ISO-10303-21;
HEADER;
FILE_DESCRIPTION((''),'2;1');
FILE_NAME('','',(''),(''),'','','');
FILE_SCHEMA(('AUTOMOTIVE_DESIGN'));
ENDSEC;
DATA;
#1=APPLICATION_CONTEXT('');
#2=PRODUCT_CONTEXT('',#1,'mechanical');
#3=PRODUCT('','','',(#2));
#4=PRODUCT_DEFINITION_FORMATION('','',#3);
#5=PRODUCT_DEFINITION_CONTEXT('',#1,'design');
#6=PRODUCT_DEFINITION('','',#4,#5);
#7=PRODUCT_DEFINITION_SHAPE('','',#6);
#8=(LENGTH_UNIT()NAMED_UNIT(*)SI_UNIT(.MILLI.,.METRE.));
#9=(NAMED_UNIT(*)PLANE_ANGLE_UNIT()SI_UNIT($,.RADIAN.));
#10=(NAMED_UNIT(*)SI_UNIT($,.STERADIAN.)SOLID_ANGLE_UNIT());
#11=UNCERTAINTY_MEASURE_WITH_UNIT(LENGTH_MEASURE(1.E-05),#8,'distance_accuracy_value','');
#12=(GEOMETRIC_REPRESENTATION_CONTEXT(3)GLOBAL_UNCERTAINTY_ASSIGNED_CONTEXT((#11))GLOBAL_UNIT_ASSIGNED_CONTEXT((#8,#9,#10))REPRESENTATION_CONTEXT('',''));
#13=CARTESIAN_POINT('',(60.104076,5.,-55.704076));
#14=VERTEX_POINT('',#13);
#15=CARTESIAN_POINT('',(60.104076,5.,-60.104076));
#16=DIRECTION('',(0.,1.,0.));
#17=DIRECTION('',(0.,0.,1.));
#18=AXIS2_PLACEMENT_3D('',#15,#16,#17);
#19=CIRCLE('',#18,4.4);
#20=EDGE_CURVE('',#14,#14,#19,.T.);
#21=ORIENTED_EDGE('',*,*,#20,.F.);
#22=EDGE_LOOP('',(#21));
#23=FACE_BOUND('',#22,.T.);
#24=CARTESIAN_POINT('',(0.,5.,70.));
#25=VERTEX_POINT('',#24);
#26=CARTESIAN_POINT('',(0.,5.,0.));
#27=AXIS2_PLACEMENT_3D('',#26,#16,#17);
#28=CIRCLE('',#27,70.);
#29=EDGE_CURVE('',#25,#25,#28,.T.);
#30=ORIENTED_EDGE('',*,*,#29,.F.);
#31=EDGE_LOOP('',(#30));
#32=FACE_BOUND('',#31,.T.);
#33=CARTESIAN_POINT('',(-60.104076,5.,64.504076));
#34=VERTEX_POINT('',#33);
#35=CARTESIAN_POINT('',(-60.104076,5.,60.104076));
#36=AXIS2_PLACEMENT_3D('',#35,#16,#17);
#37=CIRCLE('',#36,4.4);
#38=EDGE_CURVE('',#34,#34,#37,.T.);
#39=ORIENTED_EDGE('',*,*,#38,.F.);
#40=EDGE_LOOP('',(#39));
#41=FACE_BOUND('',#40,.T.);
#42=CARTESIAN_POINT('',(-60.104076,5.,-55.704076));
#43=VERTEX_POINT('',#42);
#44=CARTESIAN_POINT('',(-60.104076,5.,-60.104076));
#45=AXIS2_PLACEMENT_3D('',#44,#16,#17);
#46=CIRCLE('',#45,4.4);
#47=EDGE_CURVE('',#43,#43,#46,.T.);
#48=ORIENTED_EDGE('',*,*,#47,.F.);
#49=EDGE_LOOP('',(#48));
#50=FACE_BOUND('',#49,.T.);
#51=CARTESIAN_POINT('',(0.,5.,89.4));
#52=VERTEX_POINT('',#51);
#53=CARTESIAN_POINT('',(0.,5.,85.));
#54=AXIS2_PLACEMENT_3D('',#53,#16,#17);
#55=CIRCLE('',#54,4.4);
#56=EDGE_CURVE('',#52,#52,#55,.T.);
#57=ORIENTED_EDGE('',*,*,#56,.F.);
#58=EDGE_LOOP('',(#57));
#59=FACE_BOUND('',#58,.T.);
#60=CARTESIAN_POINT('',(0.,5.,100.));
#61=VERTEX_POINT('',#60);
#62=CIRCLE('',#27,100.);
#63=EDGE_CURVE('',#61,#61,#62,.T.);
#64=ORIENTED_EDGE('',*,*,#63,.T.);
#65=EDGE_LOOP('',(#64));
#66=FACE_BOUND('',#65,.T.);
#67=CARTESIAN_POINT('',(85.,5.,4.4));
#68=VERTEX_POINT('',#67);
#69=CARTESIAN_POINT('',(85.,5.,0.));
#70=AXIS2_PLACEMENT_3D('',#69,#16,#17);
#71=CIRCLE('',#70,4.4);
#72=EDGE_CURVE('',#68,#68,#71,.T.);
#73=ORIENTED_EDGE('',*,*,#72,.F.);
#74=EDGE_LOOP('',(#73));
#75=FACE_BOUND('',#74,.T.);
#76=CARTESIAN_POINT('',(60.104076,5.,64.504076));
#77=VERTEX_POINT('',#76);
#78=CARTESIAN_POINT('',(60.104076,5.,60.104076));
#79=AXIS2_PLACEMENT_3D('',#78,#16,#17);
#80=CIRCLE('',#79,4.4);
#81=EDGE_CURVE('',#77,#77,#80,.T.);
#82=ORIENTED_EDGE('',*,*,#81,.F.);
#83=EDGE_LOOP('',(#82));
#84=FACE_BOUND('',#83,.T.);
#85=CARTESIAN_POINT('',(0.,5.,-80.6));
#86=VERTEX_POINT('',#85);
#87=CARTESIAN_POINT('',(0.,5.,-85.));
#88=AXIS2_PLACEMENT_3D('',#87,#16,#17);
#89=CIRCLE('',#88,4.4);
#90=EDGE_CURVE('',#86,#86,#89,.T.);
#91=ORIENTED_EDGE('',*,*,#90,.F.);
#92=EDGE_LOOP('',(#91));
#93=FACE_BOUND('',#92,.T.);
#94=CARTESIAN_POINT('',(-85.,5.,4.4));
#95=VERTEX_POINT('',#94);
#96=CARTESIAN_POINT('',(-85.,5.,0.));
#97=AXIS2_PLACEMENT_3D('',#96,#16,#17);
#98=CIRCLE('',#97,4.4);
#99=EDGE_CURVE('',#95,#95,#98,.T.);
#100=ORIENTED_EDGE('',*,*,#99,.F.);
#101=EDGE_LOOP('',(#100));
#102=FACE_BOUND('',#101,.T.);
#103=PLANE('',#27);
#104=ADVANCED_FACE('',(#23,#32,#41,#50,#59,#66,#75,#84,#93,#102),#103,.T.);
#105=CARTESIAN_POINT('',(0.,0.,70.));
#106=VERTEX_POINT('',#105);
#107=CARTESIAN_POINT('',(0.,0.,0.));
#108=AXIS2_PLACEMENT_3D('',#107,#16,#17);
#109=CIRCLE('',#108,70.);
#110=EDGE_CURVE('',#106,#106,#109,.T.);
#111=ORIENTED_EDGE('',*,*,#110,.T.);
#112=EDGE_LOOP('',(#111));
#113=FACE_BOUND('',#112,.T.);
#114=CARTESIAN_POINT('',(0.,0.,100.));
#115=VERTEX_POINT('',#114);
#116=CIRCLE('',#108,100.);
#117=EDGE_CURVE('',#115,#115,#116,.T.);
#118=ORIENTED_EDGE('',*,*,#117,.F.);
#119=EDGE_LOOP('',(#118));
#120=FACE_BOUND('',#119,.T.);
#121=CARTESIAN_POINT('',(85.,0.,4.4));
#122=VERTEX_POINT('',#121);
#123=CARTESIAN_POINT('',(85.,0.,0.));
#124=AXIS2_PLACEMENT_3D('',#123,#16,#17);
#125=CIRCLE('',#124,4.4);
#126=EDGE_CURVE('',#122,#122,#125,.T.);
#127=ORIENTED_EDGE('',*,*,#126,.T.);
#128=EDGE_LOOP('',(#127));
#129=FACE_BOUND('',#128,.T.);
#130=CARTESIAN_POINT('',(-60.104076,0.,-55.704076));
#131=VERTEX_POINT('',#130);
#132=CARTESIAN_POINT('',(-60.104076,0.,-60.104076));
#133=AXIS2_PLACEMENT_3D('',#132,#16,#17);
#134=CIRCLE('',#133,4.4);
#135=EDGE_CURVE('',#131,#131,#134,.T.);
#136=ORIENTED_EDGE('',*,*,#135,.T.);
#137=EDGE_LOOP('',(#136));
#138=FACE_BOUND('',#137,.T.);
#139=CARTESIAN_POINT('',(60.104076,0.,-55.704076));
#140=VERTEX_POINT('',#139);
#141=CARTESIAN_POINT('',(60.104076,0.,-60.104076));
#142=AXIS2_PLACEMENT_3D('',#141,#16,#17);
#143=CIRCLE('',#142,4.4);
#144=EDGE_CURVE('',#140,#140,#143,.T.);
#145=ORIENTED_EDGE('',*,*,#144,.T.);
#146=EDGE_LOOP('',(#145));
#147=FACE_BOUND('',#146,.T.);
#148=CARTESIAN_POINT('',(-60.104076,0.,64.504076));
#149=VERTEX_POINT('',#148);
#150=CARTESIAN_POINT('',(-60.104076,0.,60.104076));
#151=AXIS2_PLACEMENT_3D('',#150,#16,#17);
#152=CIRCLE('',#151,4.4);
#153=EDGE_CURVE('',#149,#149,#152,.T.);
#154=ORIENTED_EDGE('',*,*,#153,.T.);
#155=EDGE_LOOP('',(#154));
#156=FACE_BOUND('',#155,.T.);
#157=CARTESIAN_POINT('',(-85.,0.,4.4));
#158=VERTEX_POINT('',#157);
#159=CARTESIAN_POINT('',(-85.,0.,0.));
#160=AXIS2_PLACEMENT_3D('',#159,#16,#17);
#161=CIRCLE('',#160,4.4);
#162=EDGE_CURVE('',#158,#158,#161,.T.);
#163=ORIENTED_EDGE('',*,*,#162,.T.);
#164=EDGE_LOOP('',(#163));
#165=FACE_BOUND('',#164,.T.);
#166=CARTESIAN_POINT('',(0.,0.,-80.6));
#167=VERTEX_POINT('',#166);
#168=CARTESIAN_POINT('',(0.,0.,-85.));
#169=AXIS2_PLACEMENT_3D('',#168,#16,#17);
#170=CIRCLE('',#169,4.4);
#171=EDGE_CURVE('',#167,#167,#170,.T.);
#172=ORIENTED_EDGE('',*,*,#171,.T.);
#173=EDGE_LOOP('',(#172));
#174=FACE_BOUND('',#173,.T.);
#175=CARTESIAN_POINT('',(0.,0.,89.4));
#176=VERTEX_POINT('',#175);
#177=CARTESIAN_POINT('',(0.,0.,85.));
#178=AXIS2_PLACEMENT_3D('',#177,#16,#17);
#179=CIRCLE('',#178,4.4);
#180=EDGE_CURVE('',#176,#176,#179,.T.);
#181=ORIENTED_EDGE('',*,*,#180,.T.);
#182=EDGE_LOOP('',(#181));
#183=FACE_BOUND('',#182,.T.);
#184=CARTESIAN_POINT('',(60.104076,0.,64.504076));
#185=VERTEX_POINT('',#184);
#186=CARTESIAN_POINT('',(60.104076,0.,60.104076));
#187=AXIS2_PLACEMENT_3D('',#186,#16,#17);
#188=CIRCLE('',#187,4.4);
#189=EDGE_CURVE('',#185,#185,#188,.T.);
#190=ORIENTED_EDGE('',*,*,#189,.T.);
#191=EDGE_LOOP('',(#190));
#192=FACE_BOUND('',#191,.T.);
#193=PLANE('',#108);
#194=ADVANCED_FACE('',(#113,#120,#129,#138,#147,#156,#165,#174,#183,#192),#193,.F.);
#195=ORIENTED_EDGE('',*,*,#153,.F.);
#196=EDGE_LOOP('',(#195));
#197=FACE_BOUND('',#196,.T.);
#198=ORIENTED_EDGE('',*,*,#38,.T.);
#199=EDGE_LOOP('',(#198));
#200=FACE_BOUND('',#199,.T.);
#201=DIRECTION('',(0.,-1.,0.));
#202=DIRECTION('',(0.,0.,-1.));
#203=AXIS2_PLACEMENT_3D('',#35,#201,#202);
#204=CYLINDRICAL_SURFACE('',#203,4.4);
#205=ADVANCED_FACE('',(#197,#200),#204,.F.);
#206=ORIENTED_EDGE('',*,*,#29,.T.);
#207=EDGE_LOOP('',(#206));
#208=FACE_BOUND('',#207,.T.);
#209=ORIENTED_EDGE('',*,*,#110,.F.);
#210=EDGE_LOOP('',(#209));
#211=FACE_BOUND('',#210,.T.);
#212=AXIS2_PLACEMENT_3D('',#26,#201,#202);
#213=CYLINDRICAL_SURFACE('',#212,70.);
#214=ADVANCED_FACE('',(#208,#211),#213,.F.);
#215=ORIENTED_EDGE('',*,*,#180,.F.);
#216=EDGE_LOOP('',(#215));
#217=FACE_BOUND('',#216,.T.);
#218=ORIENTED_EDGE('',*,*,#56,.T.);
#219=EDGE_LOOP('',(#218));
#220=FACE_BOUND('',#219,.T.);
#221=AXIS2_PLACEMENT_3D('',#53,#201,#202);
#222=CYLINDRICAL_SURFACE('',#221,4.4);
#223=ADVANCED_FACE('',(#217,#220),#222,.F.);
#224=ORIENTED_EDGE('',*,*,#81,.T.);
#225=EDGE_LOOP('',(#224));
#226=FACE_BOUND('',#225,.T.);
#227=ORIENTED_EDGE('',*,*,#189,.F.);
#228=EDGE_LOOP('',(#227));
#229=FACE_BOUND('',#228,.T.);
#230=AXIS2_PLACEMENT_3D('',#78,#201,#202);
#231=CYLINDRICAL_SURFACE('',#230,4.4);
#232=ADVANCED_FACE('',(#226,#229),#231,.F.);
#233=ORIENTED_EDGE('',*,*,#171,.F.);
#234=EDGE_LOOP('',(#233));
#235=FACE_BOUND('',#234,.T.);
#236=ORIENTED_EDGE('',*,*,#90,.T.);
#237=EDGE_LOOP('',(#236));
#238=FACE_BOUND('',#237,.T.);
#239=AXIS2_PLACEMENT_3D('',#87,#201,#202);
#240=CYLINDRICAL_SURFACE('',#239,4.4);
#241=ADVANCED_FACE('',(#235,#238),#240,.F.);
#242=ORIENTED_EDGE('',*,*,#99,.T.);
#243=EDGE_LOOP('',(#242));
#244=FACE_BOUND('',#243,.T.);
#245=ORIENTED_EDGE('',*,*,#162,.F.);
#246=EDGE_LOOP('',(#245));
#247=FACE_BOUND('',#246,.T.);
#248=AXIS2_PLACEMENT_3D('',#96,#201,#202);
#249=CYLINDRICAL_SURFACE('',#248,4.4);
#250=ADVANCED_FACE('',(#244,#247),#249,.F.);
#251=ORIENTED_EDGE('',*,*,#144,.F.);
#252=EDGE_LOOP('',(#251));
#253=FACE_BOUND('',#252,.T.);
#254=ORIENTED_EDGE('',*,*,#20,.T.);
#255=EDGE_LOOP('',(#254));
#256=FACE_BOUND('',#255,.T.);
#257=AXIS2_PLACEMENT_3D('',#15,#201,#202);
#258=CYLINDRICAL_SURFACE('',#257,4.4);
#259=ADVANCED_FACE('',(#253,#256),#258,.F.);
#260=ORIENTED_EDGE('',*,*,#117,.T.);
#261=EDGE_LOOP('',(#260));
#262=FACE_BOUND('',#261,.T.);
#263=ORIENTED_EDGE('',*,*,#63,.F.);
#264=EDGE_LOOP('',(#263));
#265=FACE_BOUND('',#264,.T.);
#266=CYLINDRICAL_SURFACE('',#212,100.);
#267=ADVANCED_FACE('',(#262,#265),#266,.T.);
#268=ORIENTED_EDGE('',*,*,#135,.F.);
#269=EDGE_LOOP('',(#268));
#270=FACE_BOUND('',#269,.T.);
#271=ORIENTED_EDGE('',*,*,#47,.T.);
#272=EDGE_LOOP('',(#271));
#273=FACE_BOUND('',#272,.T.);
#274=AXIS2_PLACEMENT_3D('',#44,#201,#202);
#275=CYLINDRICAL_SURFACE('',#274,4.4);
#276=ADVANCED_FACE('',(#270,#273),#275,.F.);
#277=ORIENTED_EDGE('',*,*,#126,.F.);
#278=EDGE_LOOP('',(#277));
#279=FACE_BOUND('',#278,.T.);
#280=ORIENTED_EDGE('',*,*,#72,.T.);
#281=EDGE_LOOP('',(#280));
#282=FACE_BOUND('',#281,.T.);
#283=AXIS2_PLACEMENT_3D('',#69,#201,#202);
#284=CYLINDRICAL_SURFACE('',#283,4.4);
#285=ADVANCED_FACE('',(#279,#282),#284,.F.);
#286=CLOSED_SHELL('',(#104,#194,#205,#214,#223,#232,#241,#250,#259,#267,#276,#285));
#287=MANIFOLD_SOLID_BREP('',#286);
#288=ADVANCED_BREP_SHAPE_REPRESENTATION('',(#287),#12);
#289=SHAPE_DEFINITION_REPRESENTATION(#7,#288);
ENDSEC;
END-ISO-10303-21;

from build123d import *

# Parameters (mm, degrees)
SKETCH_1_R      = 100
SKETCH_1_R_2    = 70
SKETCH_1_R_3    = 4.4
EXTRUDE_1_DEPTH = 5


with BuildPart() as part:
    # Эскиз1 → Бобышка-Вытянуть1 (new body)
    with BuildSketch(Plane(origin=(0, 0, 0), x_dir=(1, 0, 0), z_dir=(0, 1, 0))):
        with Locations(Location((0, 0, 0), (0, 0, 270))):
            Circle(SKETCH_1_R)
        with Locations(Location((0, 0, 0), (0, 0, 270))):
            Circle(SKETCH_1_R_2, mode=Mode.SUBTRACT)
        with Locations(Location((85, 0, 0), (0, 0, 270))):
            Circle(SKETCH_1_R_3, mode=Mode.SUBTRACT)
        with Locations(Location((60.104076401, -60.104076401, 0), (0, 0, 270))):
            Circle(SKETCH_1_R_3, mode=Mode.SUBTRACT)
        with Locations(Location((0, -85, 0), (0, 0, 270))):
            Circle(SKETCH_1_R_3, mode=Mode.SUBTRACT)
        with Locations(Location((-60.104076401, -60.104076401, 0), (0, 0, 270))):
            Circle(SKETCH_1_R_3, mode=Mode.SUBTRACT)
        with Locations(Location((-85, 0, 0), (0, 0, 270))):
            Circle(SKETCH_1_R_3, mode=Mode.SUBTRACT)
        with Locations(Location((-60.104076401, 60.104076401, 0), (0, 0, 270))):
            Circle(SKETCH_1_R_3, mode=Mode.SUBTRACT)
        with Locations(Location((0, 85, 0), (0, 0, 270))):
            Circle(SKETCH_1_R_3, mode=Mode.SUBTRACT)
        with Locations(Location((60.104076401, 60.104076401, 0), (0, 0, 270))):
            Circle(SKETCH_1_R_3, mode=Mode.SUBTRACT)
    extrude(amount=EXTRUDE_1_DEPTH)


solid = part.part
